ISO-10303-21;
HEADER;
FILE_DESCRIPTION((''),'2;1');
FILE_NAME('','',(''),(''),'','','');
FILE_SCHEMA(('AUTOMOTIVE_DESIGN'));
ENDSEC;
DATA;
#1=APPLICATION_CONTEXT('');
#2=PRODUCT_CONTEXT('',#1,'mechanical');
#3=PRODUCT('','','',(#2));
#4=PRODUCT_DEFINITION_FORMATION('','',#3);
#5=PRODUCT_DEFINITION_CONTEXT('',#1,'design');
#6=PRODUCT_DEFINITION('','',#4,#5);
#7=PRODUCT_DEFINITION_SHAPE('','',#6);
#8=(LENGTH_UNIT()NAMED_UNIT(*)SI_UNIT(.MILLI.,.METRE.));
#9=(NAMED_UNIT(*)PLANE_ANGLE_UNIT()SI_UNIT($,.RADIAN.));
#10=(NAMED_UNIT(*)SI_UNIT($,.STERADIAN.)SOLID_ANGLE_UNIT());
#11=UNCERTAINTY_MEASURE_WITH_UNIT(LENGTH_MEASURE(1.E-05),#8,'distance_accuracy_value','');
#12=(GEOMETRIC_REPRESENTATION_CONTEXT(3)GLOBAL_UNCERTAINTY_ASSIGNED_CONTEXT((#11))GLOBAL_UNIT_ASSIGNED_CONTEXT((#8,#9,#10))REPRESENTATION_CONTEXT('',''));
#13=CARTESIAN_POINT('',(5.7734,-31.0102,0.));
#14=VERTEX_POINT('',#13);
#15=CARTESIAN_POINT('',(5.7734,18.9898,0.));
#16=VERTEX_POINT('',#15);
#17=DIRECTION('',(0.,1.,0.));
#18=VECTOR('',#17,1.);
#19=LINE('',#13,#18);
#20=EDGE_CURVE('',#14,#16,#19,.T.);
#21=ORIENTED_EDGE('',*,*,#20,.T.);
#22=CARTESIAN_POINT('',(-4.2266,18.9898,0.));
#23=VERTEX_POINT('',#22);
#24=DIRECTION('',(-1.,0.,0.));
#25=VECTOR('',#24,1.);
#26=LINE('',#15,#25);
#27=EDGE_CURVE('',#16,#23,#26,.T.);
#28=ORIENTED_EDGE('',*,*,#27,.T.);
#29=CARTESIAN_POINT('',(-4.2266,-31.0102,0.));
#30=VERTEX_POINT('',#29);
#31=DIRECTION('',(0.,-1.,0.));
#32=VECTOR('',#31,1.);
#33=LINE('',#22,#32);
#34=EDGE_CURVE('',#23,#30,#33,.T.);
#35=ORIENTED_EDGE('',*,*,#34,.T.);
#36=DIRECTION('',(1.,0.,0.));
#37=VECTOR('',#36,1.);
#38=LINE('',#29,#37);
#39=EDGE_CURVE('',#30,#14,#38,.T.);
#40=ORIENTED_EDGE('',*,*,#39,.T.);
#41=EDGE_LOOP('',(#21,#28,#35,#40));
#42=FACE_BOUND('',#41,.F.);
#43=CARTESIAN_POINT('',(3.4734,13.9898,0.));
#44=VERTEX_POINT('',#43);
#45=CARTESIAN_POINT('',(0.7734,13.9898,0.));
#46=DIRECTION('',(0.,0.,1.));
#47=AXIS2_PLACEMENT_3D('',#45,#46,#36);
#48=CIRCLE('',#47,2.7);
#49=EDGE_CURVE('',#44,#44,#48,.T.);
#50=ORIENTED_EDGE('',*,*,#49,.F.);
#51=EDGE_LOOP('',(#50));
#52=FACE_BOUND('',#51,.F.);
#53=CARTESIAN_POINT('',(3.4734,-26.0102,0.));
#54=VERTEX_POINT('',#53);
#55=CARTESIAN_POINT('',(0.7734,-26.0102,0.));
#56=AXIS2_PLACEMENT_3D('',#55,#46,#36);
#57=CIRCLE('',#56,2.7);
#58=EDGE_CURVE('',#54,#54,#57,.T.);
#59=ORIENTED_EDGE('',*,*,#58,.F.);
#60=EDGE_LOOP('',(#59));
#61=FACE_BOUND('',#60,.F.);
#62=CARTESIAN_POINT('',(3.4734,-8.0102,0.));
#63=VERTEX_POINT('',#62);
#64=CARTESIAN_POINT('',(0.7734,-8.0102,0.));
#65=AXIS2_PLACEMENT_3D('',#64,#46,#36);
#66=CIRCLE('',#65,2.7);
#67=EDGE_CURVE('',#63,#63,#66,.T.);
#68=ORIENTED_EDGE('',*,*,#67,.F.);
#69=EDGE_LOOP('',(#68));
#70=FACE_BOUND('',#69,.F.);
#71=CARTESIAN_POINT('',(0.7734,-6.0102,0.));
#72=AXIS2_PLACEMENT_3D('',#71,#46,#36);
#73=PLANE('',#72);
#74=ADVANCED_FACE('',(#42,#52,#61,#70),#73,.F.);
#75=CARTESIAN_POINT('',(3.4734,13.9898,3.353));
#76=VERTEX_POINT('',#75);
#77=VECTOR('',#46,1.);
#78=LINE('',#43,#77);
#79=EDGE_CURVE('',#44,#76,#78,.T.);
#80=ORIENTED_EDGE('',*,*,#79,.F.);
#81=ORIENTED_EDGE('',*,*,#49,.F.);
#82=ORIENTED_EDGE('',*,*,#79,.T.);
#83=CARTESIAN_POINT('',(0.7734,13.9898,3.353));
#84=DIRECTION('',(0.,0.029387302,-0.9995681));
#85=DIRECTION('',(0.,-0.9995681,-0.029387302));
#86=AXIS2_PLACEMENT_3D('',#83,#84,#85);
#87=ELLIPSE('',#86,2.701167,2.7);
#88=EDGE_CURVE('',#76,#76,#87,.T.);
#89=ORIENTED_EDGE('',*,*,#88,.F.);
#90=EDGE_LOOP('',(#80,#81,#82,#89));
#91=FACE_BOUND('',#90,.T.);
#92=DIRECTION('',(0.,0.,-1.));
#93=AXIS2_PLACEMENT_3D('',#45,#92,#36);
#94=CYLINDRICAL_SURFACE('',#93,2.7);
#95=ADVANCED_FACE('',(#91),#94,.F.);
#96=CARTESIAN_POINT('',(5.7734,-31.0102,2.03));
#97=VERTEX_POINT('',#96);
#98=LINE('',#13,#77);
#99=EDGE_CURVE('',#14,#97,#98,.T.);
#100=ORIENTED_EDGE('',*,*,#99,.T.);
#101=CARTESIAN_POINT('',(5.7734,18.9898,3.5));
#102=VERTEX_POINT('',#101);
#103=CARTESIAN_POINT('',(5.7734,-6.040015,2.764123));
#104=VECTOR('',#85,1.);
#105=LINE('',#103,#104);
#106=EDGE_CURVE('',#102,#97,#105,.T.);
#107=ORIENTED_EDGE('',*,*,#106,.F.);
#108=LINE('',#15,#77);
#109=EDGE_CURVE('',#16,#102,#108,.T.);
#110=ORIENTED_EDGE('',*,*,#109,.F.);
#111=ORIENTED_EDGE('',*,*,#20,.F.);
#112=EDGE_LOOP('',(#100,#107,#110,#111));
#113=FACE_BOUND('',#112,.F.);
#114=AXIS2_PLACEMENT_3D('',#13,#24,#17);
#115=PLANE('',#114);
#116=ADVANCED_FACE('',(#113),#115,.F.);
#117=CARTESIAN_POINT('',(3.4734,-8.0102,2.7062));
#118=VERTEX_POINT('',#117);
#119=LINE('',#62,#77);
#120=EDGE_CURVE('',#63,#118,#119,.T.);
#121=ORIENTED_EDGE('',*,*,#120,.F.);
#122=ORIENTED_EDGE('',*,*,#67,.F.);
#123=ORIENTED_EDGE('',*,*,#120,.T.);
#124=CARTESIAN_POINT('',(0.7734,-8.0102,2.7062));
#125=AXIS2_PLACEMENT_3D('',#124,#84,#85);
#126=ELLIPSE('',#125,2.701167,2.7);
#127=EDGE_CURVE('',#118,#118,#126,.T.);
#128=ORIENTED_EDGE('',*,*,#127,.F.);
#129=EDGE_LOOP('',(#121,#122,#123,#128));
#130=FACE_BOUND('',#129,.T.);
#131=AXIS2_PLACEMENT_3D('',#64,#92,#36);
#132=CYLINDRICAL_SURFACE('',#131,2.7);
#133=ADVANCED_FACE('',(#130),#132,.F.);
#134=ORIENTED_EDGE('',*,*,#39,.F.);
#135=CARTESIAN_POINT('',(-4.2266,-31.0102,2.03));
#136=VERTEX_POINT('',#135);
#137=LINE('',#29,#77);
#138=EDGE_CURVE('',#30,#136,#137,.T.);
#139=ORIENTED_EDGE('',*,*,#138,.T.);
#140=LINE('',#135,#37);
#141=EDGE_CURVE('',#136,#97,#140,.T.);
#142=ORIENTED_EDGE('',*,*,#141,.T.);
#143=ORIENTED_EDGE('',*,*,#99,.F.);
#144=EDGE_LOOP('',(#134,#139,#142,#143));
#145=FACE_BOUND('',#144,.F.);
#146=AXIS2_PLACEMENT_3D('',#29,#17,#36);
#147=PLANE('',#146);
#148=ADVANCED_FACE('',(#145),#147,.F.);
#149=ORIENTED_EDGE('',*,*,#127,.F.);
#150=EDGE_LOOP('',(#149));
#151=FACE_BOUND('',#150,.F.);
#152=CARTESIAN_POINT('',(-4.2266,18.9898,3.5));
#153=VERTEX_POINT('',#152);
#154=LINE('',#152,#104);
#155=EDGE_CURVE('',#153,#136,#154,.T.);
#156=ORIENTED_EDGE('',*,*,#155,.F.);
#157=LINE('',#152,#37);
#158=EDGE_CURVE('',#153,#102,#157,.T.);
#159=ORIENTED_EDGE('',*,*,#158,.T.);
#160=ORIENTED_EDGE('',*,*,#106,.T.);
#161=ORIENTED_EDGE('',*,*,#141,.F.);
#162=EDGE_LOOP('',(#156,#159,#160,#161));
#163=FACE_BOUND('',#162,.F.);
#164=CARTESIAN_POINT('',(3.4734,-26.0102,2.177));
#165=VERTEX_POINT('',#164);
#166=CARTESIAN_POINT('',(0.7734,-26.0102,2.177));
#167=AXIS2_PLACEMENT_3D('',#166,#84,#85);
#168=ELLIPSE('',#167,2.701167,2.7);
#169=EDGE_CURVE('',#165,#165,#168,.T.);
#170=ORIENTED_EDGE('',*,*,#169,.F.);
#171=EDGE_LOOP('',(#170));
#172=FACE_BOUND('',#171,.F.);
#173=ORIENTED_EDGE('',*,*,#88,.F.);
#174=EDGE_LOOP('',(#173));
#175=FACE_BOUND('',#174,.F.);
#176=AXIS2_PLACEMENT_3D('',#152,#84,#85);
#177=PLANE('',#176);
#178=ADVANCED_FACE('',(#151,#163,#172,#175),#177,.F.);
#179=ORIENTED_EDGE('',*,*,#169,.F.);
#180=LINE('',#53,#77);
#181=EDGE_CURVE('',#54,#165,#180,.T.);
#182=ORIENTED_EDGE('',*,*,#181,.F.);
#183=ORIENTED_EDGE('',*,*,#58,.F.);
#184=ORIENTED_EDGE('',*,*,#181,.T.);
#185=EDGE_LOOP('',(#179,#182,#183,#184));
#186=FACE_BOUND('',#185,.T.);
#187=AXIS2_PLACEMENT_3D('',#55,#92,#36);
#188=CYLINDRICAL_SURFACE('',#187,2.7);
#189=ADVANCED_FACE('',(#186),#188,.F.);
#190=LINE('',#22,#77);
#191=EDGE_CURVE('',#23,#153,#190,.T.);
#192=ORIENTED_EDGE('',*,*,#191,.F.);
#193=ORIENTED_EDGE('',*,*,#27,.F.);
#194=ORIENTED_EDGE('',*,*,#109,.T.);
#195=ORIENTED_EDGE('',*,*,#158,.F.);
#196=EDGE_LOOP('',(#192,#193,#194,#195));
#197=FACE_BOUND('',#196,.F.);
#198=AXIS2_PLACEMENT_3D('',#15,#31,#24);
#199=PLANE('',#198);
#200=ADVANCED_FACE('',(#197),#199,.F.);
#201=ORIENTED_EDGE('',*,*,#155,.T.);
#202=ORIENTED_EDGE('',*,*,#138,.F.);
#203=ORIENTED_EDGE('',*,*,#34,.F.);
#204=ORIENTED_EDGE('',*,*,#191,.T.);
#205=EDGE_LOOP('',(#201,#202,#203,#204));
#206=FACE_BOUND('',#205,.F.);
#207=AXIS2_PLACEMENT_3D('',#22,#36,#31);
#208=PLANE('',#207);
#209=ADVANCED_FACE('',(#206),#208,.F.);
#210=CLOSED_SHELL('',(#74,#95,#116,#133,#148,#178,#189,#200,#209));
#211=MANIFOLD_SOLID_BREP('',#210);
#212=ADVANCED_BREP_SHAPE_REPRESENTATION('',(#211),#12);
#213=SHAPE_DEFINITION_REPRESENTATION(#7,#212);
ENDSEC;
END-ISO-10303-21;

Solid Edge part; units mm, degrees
sketch "Sketch1" plane through (0, 0, 0) normal (0, 0, 1) x (1, 0, 0)
  circle A0 centre (0.7734, -26.0102) radius 2.7
  circle A1 centre (0.7734, -8.0102) radius 2.7
  line L0 (5.7734, -31.0102) -> (5.7734, 18.9898)
  line L1 (5.7734, 18.9898) -> (-4.2266, 18.9898)
  line L2 (-4.2266, 18.9898) -> (-4.2266, -31.0102)
  line L3 (-4.2266, -31.0102) -> (5.7734, -31.0102)
  circle A2 centre (0.7734, 13.9898) radius 2.7
  dimension "D1" = 40
  dimension "D2" = 10
  dimension "D3" = 50
extrude "Protrusion1" add sketch "Sketch1" along normal blind 7
sketch "Sketch2" plane through (-4.2266, -6.0102, 3.5) normal (-1, 0, 0) x (0, -1, 0)
  line L0 (-25, 3.5) -> (-25, 0)
  line L1 (-25, 0) -> (25, -1.47)
  line L2 (25, -1.47) -> (25, 3.5)
  line L3 (25, 3.5) -> (-25, 3.5)
extrude "ExtrudedCutout_1" cut sketch "Sketch2" against normal blind 100.5
